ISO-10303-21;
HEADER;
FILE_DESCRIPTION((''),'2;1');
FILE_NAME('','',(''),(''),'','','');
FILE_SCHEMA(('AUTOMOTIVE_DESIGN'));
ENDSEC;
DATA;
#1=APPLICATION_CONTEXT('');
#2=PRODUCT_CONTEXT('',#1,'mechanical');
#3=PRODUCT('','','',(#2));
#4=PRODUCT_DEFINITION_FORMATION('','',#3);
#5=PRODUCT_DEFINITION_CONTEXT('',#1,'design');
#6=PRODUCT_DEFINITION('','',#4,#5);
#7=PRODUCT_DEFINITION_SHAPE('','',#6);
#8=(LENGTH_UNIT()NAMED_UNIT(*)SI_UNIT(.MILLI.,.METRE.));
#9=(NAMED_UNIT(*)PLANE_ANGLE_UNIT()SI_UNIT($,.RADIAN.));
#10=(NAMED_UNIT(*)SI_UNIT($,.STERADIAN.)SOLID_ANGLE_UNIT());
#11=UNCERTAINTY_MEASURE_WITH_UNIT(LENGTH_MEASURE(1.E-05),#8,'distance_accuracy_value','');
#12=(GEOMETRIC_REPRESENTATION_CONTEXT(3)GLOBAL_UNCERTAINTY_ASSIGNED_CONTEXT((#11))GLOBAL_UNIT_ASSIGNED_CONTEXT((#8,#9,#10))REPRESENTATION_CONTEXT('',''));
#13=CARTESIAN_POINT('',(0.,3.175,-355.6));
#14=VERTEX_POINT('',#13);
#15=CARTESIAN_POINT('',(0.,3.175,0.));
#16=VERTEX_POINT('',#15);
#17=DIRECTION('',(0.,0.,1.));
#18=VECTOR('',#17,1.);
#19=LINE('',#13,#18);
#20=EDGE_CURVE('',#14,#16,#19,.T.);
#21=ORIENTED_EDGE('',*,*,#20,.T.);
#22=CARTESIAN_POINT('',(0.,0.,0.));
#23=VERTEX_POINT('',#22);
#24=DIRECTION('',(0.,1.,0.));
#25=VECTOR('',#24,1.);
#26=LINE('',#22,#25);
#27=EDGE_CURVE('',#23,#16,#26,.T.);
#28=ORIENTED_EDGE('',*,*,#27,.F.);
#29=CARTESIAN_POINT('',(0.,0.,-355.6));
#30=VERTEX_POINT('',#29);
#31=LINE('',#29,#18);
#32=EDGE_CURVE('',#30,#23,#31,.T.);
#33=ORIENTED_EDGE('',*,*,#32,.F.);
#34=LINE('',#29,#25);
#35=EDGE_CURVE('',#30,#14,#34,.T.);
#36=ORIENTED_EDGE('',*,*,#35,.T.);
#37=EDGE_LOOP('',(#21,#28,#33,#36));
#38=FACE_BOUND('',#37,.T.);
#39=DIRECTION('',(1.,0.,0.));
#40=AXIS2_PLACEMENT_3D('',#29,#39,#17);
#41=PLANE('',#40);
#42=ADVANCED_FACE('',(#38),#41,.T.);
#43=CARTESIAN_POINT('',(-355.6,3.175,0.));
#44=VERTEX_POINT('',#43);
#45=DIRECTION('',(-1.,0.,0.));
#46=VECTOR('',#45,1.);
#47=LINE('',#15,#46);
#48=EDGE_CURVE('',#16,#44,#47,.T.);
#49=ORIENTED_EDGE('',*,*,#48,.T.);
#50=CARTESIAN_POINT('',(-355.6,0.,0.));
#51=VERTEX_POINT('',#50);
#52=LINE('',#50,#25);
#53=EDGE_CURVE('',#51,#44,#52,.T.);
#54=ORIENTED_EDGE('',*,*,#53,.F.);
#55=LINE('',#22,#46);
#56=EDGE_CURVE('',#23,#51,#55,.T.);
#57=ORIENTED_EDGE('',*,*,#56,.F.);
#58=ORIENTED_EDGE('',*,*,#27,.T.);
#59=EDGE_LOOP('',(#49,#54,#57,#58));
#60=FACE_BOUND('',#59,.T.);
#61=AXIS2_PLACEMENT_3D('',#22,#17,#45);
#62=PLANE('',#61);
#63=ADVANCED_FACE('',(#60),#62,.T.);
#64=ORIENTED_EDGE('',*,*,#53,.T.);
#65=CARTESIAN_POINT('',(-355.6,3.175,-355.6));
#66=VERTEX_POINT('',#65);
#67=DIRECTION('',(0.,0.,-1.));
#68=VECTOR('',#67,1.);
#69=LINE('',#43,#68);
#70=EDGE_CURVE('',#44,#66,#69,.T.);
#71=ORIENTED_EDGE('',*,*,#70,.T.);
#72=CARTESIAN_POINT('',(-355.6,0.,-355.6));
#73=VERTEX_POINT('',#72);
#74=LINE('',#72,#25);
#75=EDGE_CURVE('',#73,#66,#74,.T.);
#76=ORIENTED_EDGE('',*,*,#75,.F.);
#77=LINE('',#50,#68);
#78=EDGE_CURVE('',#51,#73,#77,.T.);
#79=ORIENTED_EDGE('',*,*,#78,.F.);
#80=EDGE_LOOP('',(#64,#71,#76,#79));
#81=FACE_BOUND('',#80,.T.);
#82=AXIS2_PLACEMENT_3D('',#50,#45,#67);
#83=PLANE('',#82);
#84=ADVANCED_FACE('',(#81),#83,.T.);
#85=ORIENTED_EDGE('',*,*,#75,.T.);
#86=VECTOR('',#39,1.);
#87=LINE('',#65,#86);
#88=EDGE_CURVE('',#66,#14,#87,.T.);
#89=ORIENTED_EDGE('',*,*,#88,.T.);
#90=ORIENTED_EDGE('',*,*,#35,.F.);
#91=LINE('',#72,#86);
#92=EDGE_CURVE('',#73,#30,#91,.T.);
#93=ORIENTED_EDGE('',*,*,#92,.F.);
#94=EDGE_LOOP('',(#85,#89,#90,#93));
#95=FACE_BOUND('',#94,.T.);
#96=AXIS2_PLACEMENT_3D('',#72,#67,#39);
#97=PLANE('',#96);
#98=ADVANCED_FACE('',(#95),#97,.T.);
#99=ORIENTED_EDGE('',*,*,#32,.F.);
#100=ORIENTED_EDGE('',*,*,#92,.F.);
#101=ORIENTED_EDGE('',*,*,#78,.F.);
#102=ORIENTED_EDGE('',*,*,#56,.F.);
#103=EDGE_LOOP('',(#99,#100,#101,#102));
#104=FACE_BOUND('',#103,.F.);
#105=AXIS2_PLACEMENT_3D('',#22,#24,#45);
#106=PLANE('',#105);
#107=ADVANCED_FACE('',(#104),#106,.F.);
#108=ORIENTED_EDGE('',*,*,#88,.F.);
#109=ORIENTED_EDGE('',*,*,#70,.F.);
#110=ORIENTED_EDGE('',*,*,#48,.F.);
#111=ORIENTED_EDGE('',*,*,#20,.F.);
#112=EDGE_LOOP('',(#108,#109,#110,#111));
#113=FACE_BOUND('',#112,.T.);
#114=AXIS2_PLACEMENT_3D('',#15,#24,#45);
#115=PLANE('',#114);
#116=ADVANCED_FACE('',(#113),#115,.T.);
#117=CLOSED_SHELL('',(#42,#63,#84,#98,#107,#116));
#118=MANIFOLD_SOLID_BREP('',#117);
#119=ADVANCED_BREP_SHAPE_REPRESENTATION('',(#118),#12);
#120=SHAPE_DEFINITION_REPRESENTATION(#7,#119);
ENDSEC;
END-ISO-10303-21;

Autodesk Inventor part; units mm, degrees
ref_plane "YZ Plane" through (0, 0, 0) normal (1, 0, 0) x (0, 1, 0)
ref_plane "XZ Plane" through (0, 0, 0) normal (0, 1, 0) x (-1, 0, 0)
ref_plane "XY Plane" through (0, 0, 0) normal (0, 0, 1) x (1, 0, 0)
sketch "Sketch1" plane through (0, 0, 0) normal (0, 1, 0) x (-1, 0, 0)
  line L0 (0, 0) -> (355.6, 0)
  line L1 (355.6, 0) -> (355.6, -355.6)
  line L2 (355.6, -355.6) -> (0, -355.6)
  line L3 (0, -355.6) -> (0, 0)
  dimension "d1" = 355.6
extrude "Extrusion1" add sketch "Sketch1" along normal blind 3.175
properties part number "Square_Of_Underlayment" material "Rubber"
